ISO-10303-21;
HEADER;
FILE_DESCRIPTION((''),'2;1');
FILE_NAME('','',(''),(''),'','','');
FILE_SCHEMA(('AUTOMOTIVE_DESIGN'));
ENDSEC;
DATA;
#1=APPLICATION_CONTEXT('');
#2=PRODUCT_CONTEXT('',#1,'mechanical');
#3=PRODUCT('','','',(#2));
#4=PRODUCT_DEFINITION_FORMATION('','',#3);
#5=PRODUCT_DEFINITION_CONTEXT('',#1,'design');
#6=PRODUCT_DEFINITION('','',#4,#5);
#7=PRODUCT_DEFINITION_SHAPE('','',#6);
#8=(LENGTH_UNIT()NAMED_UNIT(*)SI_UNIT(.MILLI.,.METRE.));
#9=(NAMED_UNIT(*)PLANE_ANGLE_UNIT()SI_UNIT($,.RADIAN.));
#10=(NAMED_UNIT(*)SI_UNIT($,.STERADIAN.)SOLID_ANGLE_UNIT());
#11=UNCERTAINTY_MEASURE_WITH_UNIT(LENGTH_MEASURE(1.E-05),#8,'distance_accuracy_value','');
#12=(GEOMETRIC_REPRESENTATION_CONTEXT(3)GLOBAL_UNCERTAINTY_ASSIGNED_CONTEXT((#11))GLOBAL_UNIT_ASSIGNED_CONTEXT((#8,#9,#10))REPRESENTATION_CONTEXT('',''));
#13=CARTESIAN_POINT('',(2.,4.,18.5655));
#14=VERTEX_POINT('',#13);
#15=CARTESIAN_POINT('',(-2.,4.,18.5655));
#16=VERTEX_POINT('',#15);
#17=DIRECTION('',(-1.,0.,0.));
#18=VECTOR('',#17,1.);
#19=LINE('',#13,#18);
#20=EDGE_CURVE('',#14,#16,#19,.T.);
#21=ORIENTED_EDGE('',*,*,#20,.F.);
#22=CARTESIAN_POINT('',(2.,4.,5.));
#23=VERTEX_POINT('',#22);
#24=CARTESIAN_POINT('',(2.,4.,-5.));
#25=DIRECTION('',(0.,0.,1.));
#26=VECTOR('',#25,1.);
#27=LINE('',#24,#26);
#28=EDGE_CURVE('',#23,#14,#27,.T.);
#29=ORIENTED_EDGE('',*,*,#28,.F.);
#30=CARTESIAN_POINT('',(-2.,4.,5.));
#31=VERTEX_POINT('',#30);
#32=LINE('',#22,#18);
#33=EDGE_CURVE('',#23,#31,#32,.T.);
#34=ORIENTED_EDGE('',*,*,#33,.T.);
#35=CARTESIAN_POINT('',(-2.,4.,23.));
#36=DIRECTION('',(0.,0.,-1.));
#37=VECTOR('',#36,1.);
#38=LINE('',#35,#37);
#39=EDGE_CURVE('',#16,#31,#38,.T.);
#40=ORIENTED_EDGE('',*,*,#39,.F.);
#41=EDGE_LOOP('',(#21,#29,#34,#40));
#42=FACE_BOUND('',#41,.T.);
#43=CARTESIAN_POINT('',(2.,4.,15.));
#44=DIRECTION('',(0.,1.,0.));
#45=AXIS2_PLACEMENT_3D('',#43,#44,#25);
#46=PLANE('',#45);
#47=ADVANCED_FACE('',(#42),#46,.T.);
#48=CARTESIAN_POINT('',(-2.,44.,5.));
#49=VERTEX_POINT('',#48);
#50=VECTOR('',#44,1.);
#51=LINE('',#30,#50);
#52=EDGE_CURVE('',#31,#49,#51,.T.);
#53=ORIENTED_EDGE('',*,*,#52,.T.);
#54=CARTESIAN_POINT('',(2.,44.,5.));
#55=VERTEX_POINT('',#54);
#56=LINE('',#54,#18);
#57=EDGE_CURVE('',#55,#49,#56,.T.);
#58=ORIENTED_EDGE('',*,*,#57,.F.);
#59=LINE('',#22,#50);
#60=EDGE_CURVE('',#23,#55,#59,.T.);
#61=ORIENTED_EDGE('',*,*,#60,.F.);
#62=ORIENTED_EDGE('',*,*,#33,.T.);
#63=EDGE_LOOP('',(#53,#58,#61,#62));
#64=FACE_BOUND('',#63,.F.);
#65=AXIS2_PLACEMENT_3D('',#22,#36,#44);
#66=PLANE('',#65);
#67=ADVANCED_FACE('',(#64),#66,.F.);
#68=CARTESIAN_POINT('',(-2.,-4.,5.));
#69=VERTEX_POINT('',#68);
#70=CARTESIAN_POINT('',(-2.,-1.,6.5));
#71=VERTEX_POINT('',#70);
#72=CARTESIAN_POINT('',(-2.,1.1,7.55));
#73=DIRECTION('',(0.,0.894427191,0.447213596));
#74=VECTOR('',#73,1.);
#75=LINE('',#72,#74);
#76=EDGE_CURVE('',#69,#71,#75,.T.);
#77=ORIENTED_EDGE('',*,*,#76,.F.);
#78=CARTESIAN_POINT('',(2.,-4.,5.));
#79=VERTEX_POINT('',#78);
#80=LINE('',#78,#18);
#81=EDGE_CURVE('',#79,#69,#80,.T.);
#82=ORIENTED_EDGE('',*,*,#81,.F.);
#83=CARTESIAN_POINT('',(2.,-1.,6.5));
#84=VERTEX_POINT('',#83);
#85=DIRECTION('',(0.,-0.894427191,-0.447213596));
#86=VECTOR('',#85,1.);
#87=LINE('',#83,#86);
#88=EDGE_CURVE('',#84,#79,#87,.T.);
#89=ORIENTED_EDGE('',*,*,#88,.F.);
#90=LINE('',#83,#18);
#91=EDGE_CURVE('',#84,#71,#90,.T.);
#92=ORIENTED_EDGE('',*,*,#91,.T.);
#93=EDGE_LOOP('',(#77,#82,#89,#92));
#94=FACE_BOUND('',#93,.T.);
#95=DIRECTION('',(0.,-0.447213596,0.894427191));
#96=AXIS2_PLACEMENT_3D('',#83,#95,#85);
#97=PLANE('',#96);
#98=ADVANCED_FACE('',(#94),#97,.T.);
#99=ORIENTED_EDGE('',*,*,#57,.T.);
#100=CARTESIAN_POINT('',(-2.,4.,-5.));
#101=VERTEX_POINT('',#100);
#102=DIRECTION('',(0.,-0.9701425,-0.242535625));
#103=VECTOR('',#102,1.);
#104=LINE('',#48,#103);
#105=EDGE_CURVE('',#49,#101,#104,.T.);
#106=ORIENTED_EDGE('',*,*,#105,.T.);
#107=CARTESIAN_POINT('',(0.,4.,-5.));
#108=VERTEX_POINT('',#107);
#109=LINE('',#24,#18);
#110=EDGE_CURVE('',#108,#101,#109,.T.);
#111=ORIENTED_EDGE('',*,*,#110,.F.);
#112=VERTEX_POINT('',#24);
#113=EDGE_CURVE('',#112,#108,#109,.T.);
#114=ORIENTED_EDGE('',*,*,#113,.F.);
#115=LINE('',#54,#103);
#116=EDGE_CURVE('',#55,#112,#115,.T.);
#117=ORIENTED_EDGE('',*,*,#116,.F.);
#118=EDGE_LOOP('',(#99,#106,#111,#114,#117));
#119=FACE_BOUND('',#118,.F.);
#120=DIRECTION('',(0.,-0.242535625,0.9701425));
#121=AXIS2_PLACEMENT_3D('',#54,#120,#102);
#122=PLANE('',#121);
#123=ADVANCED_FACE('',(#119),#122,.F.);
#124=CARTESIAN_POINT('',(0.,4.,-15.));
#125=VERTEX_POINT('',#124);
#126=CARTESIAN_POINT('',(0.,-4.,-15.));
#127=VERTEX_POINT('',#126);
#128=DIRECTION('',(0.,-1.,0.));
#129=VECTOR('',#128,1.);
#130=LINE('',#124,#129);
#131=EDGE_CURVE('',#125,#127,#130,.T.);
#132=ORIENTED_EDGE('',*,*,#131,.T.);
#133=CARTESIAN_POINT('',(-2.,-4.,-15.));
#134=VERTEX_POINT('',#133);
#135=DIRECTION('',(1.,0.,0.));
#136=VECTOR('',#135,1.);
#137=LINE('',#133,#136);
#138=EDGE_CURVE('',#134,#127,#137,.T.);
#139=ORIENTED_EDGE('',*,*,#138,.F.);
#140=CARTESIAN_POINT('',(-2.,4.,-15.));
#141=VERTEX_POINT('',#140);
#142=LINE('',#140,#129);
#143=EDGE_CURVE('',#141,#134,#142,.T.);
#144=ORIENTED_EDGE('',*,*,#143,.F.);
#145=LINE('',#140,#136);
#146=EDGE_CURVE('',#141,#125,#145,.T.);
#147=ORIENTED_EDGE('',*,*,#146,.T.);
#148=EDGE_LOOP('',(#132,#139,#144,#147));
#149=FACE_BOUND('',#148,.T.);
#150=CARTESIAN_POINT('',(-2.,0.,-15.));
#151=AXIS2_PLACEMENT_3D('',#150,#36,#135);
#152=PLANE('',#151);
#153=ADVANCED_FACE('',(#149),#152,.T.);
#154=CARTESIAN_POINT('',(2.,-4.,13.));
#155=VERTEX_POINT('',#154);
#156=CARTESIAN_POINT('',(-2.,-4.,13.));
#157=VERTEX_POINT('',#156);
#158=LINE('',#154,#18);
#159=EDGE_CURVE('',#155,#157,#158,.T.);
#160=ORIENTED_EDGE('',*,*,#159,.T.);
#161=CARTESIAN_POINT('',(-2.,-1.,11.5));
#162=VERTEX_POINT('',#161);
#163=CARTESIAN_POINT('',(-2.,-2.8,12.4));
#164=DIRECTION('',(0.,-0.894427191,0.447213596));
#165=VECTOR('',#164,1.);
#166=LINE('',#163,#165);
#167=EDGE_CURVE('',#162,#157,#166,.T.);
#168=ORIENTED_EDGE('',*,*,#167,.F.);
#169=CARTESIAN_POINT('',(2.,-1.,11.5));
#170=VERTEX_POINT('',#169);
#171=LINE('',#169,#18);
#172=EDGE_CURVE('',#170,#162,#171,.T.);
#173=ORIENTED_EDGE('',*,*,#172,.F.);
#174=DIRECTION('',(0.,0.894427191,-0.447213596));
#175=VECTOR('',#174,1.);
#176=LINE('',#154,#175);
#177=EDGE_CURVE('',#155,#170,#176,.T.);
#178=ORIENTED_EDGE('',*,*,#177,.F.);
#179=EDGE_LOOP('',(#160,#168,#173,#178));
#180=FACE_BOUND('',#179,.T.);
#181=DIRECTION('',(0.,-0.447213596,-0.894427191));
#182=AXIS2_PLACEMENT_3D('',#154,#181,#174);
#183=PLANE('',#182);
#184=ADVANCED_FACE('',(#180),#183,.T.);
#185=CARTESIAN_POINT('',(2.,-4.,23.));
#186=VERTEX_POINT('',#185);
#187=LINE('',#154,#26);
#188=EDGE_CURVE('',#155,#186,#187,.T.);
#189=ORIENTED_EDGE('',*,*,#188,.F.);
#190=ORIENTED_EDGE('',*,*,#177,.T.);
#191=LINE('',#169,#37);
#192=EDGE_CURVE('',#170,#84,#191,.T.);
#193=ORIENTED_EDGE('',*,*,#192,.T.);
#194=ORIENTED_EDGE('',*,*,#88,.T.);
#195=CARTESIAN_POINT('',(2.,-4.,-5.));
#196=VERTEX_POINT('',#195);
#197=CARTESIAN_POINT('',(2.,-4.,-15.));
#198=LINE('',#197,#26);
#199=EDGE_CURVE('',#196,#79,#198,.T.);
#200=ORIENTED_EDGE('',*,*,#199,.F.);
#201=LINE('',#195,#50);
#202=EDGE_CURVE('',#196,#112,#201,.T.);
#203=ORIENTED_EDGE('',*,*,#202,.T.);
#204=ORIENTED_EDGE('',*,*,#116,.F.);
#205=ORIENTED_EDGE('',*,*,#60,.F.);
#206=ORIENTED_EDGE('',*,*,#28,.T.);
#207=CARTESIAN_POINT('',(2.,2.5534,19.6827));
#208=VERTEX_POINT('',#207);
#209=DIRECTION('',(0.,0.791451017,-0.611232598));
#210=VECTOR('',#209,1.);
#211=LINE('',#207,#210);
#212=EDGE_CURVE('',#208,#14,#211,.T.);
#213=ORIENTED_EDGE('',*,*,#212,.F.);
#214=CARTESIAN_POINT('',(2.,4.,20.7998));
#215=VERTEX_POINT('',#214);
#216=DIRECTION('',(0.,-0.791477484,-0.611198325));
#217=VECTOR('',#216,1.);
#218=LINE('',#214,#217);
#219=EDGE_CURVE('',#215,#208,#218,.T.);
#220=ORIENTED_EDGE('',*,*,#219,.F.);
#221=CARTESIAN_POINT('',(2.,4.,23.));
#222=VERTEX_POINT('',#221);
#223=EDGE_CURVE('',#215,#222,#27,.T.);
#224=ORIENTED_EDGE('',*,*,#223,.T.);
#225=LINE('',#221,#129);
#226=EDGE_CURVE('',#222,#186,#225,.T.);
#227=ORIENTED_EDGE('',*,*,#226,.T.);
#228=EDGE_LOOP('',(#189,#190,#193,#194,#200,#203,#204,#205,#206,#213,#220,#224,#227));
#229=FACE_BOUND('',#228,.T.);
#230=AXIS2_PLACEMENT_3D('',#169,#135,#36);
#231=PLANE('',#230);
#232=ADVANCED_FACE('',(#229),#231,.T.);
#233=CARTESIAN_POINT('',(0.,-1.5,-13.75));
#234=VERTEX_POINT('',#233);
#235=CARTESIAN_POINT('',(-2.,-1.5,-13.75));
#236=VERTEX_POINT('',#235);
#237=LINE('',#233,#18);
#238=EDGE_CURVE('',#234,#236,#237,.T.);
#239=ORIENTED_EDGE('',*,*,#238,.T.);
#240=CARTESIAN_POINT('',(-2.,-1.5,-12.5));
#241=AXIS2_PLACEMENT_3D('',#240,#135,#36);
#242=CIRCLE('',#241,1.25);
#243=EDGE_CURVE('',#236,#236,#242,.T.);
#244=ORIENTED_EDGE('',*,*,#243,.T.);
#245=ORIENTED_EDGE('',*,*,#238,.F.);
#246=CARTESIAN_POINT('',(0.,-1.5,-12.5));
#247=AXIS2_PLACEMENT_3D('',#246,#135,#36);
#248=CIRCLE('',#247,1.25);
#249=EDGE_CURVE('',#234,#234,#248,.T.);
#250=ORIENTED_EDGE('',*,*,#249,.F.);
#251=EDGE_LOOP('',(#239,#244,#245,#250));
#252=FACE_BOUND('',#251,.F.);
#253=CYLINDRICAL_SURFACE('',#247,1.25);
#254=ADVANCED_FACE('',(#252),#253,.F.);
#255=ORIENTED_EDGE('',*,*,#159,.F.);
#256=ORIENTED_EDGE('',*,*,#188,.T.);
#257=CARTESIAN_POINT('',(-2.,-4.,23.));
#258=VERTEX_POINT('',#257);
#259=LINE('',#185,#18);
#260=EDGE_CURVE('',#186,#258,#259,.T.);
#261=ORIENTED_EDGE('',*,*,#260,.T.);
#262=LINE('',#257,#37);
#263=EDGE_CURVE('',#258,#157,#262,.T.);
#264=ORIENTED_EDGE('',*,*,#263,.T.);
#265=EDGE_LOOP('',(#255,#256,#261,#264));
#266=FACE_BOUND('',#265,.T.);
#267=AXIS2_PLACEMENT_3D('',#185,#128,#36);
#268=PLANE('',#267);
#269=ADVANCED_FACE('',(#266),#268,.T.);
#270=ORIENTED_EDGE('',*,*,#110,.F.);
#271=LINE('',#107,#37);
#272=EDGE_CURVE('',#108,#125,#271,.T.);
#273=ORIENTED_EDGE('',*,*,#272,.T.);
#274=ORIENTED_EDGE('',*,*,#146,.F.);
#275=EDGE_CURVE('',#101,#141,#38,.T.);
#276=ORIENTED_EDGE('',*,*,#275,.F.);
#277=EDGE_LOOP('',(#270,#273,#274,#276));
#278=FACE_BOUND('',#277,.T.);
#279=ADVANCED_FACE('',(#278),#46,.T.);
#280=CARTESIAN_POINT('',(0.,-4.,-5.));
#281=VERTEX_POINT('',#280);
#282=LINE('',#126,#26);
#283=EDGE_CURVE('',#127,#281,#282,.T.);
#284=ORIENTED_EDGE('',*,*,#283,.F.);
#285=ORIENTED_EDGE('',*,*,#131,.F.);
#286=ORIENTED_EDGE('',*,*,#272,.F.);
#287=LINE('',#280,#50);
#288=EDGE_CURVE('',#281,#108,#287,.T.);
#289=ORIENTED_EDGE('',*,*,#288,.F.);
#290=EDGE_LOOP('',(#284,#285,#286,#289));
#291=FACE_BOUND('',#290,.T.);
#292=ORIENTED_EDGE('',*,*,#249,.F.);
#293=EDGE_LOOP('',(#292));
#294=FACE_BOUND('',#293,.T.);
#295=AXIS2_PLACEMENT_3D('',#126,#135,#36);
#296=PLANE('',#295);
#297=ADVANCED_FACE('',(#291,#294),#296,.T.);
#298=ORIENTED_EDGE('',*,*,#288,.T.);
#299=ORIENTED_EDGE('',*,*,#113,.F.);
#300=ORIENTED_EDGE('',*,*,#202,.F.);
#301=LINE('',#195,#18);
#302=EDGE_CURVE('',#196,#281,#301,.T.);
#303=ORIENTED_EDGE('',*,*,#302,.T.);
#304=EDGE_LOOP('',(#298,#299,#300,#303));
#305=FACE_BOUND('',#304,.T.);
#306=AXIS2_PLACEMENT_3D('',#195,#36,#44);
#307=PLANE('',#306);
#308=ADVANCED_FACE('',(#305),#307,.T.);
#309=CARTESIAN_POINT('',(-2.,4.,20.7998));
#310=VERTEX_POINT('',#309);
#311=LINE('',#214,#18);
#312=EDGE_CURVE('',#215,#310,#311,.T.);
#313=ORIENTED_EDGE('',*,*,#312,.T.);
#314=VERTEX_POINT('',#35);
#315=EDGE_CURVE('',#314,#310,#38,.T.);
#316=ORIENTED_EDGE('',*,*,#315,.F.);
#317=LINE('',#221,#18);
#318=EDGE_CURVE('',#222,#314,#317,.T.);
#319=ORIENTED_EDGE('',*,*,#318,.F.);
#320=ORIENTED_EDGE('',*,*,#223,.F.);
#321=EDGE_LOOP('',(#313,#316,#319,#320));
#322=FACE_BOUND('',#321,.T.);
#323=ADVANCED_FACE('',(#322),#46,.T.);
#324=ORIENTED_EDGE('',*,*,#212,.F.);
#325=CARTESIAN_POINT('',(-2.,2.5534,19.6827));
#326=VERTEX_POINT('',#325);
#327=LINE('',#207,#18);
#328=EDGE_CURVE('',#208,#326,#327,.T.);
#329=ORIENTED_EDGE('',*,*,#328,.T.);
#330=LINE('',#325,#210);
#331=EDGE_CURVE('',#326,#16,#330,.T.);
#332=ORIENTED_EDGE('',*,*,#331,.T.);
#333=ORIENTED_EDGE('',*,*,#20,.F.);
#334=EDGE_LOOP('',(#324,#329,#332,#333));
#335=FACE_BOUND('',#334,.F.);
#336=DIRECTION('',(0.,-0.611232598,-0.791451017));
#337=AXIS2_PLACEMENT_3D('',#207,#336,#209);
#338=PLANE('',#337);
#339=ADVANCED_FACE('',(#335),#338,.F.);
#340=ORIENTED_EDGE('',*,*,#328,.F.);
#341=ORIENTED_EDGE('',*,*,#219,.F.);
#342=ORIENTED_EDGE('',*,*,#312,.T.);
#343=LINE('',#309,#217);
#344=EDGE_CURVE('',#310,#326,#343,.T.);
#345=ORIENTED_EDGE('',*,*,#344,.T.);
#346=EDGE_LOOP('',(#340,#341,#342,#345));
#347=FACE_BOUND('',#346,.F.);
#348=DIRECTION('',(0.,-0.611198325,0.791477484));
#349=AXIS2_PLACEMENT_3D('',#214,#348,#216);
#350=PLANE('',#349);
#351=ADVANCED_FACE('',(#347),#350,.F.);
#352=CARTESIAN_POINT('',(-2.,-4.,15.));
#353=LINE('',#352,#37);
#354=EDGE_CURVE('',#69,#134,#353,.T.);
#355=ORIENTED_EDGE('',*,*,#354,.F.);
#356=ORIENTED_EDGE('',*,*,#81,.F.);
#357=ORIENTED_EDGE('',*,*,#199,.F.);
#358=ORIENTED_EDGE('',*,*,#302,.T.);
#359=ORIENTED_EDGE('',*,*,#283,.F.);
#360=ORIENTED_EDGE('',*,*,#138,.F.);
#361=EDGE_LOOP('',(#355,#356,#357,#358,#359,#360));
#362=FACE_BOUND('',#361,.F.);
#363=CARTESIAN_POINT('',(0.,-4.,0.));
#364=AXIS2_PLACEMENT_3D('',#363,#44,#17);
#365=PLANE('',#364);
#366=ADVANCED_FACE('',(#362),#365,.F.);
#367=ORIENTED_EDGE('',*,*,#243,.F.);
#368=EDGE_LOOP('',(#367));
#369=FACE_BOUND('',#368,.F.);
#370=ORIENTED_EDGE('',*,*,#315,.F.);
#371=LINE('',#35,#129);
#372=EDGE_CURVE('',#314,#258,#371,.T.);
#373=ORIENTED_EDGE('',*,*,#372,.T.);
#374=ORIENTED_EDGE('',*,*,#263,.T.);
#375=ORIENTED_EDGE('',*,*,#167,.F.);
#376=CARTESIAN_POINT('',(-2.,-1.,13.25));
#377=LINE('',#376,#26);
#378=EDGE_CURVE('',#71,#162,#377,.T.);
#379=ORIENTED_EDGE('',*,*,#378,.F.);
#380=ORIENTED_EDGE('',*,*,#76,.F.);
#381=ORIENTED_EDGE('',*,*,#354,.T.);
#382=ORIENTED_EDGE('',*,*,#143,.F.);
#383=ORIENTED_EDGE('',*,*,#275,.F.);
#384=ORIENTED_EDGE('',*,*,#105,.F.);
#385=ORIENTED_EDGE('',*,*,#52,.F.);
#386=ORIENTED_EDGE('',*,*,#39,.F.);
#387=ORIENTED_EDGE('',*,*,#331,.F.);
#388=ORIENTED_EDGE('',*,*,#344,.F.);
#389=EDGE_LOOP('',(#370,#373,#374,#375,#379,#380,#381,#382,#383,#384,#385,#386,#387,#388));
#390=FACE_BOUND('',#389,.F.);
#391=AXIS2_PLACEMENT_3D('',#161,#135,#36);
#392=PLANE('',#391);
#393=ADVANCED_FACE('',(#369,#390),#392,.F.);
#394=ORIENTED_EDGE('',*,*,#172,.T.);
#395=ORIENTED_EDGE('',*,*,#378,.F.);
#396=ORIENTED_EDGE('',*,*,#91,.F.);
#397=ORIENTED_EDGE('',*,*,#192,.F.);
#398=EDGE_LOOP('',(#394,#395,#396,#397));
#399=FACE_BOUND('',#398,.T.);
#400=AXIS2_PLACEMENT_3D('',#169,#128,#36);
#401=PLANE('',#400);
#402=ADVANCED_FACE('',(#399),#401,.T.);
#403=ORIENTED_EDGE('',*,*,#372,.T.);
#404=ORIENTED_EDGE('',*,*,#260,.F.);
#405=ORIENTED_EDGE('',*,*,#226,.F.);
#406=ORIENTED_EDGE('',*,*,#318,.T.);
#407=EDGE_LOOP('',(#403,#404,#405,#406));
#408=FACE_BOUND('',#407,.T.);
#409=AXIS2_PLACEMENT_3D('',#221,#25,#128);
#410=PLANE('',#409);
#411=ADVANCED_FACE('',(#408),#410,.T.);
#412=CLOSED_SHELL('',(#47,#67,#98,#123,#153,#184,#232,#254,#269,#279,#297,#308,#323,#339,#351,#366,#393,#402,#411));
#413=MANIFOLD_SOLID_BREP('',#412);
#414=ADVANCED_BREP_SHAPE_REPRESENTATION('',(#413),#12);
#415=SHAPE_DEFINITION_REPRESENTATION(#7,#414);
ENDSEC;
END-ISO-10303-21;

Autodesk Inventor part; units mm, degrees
ref_plane "YZ Plane" through (0, 0, 0) normal (1, 0, 0) x (0, 1, 0)
ref_plane "XZ Plane" through (0, 0, 0) normal (0, 1, 0) x (-1, 0, 0)
ref_plane "XY Plane" through (0, 0, 0) normal (0, 0, 1) x (1, 0, 0)
sketch "スケッチ1" plane through (0, 0, 0) normal (0, 1, 0) x (-1, 0, 0)
  line L0 (-2, 15) -> (2, 15)
  line L1 (2, 15) -> (2, -15)
  line L2 (2, -15) -> (-2, -15)
  line L3 (-2, -15) -> (-2, 15)
  line L4 (-2, 15) -> (2, -15) construction
  line L5 (2, 15) -> (-2, -15) construction
  point P0 (0, 0)
  dimension "d0" = 4
  dimension "d1" = 30
extrude "押し出し1" add sketch "スケッチ1" along normal mid plane 8
sketch "スケッチ2" plane through (2, -4, -15) normal (1, 0, 0) x (0, 0, -1)
  line L0 (0, 0) -> (-30, 0) projected
  line L1 (-28, 0) -> (-26.5, 3)
  line L2 (-26.5, 3) -> (-21.5, 3)
  line L3 (-21.5, 3) -> (-20, 0)
  line L4 (-30, 0) -> (-30, 8) projected
  line L5 (-28, 0) -> (-20, 0)
  point P0 (-15, 4)
  dimension "d4" = 5
  dimension "d5" = 3
  dimension "d6" = 2
  dimension "d7" = 10
  dimension "d8" = 3.5
extrude "押し出し2" cut sketch "スケッチ2" against normal blind 5
sketch "スケッチ6" plane through (2, -4, -15) normal (1, 0, 0) x (0, 0, -1)
  line L0 (0, 0) -> (-20, 0) projected
  line L1 (0, 0) -> (-10, 0)
  line L2 (-10, 0) -> (-10, 8)
  line L3 (-10, 8) -> (0, 8)
  line L4 (0, 8) -> (0, 0)
  point P0 (-15, 4)
  dimension "d22" = 10
  dimension "d23" = 8
extrude "押し出し6" cut sketch "スケッチ6" against normal blind 2
sketch "スケッチ7" plane through (0, -4, -15) normal (1, 0, 0) x (0, 0, -1)
  circle A0 centre (-2.5, 2.5) radius 1.25
  line L0 (0, 8) -> (0, 0) projected
  point P0 (-15, 4)
  dimension "d26" = 2.5
  dimension "d27" = 2.5
extrude "押し出し7" cut sketch "スケッチ7" against normal blind 2
sketch "スケッチ9" plane through (2, -4, 15) normal (1, 0, 0) x (0, 0, -1)
  line L0 (0, 8) -> (-8, 8)
  line L1 (-8, 8) -> (-8, 0)
  line L2 (-8, 0) -> (0, 0)
  line L3 (0, 0) -> (0, 8)
  point P0 (15, 4)
  dimension "d30" = 8
extrude "押し出し8" add sketch "スケッチ9" against normal blind 4
sketch "スケッチ10" plane through (2, -1, 11.5) normal (1, 0, 0) x (0, 0, -1)
  line L0 (26.5, 5) -> (-11.5, 5) projected
  line L1 (-9.2998, 5) -> (-8.1827, 3.5534)
  line L2 (-8.1827, 3.5534) -> (-7.0655, 5)
  line L3 (-9.2998, 5) -> (-7.0655, 5)
  point P0 (11.5, 1)
extrude "押し出し9" cut sketch "スケッチ10" against normal blind 4
sketch "スケッチ11" plane through (2, -1, 11.5) normal (1, 0, 0) x (0, 0, -1)
  line L0 (16.5, 5) -> (-7.0655, 5) projected
  line L1 (6.5, 5) -> (6.5, 45)
  line L2 (6.5, 5) -> (46.5, 5) construction
  line L3 (6.5, 45) -> (16.5, 5)
  line L4 (16.5, 5) -> (6.5, 5)
  point P0 (11.5, 1)
  dimension "d35" = 40
  dimension "d36" = 90
  dimension "d39" = 10
extrude "押し出し10" add sketch "スケッチ11" against normal blind 4
properties part number "promo_hold2"
